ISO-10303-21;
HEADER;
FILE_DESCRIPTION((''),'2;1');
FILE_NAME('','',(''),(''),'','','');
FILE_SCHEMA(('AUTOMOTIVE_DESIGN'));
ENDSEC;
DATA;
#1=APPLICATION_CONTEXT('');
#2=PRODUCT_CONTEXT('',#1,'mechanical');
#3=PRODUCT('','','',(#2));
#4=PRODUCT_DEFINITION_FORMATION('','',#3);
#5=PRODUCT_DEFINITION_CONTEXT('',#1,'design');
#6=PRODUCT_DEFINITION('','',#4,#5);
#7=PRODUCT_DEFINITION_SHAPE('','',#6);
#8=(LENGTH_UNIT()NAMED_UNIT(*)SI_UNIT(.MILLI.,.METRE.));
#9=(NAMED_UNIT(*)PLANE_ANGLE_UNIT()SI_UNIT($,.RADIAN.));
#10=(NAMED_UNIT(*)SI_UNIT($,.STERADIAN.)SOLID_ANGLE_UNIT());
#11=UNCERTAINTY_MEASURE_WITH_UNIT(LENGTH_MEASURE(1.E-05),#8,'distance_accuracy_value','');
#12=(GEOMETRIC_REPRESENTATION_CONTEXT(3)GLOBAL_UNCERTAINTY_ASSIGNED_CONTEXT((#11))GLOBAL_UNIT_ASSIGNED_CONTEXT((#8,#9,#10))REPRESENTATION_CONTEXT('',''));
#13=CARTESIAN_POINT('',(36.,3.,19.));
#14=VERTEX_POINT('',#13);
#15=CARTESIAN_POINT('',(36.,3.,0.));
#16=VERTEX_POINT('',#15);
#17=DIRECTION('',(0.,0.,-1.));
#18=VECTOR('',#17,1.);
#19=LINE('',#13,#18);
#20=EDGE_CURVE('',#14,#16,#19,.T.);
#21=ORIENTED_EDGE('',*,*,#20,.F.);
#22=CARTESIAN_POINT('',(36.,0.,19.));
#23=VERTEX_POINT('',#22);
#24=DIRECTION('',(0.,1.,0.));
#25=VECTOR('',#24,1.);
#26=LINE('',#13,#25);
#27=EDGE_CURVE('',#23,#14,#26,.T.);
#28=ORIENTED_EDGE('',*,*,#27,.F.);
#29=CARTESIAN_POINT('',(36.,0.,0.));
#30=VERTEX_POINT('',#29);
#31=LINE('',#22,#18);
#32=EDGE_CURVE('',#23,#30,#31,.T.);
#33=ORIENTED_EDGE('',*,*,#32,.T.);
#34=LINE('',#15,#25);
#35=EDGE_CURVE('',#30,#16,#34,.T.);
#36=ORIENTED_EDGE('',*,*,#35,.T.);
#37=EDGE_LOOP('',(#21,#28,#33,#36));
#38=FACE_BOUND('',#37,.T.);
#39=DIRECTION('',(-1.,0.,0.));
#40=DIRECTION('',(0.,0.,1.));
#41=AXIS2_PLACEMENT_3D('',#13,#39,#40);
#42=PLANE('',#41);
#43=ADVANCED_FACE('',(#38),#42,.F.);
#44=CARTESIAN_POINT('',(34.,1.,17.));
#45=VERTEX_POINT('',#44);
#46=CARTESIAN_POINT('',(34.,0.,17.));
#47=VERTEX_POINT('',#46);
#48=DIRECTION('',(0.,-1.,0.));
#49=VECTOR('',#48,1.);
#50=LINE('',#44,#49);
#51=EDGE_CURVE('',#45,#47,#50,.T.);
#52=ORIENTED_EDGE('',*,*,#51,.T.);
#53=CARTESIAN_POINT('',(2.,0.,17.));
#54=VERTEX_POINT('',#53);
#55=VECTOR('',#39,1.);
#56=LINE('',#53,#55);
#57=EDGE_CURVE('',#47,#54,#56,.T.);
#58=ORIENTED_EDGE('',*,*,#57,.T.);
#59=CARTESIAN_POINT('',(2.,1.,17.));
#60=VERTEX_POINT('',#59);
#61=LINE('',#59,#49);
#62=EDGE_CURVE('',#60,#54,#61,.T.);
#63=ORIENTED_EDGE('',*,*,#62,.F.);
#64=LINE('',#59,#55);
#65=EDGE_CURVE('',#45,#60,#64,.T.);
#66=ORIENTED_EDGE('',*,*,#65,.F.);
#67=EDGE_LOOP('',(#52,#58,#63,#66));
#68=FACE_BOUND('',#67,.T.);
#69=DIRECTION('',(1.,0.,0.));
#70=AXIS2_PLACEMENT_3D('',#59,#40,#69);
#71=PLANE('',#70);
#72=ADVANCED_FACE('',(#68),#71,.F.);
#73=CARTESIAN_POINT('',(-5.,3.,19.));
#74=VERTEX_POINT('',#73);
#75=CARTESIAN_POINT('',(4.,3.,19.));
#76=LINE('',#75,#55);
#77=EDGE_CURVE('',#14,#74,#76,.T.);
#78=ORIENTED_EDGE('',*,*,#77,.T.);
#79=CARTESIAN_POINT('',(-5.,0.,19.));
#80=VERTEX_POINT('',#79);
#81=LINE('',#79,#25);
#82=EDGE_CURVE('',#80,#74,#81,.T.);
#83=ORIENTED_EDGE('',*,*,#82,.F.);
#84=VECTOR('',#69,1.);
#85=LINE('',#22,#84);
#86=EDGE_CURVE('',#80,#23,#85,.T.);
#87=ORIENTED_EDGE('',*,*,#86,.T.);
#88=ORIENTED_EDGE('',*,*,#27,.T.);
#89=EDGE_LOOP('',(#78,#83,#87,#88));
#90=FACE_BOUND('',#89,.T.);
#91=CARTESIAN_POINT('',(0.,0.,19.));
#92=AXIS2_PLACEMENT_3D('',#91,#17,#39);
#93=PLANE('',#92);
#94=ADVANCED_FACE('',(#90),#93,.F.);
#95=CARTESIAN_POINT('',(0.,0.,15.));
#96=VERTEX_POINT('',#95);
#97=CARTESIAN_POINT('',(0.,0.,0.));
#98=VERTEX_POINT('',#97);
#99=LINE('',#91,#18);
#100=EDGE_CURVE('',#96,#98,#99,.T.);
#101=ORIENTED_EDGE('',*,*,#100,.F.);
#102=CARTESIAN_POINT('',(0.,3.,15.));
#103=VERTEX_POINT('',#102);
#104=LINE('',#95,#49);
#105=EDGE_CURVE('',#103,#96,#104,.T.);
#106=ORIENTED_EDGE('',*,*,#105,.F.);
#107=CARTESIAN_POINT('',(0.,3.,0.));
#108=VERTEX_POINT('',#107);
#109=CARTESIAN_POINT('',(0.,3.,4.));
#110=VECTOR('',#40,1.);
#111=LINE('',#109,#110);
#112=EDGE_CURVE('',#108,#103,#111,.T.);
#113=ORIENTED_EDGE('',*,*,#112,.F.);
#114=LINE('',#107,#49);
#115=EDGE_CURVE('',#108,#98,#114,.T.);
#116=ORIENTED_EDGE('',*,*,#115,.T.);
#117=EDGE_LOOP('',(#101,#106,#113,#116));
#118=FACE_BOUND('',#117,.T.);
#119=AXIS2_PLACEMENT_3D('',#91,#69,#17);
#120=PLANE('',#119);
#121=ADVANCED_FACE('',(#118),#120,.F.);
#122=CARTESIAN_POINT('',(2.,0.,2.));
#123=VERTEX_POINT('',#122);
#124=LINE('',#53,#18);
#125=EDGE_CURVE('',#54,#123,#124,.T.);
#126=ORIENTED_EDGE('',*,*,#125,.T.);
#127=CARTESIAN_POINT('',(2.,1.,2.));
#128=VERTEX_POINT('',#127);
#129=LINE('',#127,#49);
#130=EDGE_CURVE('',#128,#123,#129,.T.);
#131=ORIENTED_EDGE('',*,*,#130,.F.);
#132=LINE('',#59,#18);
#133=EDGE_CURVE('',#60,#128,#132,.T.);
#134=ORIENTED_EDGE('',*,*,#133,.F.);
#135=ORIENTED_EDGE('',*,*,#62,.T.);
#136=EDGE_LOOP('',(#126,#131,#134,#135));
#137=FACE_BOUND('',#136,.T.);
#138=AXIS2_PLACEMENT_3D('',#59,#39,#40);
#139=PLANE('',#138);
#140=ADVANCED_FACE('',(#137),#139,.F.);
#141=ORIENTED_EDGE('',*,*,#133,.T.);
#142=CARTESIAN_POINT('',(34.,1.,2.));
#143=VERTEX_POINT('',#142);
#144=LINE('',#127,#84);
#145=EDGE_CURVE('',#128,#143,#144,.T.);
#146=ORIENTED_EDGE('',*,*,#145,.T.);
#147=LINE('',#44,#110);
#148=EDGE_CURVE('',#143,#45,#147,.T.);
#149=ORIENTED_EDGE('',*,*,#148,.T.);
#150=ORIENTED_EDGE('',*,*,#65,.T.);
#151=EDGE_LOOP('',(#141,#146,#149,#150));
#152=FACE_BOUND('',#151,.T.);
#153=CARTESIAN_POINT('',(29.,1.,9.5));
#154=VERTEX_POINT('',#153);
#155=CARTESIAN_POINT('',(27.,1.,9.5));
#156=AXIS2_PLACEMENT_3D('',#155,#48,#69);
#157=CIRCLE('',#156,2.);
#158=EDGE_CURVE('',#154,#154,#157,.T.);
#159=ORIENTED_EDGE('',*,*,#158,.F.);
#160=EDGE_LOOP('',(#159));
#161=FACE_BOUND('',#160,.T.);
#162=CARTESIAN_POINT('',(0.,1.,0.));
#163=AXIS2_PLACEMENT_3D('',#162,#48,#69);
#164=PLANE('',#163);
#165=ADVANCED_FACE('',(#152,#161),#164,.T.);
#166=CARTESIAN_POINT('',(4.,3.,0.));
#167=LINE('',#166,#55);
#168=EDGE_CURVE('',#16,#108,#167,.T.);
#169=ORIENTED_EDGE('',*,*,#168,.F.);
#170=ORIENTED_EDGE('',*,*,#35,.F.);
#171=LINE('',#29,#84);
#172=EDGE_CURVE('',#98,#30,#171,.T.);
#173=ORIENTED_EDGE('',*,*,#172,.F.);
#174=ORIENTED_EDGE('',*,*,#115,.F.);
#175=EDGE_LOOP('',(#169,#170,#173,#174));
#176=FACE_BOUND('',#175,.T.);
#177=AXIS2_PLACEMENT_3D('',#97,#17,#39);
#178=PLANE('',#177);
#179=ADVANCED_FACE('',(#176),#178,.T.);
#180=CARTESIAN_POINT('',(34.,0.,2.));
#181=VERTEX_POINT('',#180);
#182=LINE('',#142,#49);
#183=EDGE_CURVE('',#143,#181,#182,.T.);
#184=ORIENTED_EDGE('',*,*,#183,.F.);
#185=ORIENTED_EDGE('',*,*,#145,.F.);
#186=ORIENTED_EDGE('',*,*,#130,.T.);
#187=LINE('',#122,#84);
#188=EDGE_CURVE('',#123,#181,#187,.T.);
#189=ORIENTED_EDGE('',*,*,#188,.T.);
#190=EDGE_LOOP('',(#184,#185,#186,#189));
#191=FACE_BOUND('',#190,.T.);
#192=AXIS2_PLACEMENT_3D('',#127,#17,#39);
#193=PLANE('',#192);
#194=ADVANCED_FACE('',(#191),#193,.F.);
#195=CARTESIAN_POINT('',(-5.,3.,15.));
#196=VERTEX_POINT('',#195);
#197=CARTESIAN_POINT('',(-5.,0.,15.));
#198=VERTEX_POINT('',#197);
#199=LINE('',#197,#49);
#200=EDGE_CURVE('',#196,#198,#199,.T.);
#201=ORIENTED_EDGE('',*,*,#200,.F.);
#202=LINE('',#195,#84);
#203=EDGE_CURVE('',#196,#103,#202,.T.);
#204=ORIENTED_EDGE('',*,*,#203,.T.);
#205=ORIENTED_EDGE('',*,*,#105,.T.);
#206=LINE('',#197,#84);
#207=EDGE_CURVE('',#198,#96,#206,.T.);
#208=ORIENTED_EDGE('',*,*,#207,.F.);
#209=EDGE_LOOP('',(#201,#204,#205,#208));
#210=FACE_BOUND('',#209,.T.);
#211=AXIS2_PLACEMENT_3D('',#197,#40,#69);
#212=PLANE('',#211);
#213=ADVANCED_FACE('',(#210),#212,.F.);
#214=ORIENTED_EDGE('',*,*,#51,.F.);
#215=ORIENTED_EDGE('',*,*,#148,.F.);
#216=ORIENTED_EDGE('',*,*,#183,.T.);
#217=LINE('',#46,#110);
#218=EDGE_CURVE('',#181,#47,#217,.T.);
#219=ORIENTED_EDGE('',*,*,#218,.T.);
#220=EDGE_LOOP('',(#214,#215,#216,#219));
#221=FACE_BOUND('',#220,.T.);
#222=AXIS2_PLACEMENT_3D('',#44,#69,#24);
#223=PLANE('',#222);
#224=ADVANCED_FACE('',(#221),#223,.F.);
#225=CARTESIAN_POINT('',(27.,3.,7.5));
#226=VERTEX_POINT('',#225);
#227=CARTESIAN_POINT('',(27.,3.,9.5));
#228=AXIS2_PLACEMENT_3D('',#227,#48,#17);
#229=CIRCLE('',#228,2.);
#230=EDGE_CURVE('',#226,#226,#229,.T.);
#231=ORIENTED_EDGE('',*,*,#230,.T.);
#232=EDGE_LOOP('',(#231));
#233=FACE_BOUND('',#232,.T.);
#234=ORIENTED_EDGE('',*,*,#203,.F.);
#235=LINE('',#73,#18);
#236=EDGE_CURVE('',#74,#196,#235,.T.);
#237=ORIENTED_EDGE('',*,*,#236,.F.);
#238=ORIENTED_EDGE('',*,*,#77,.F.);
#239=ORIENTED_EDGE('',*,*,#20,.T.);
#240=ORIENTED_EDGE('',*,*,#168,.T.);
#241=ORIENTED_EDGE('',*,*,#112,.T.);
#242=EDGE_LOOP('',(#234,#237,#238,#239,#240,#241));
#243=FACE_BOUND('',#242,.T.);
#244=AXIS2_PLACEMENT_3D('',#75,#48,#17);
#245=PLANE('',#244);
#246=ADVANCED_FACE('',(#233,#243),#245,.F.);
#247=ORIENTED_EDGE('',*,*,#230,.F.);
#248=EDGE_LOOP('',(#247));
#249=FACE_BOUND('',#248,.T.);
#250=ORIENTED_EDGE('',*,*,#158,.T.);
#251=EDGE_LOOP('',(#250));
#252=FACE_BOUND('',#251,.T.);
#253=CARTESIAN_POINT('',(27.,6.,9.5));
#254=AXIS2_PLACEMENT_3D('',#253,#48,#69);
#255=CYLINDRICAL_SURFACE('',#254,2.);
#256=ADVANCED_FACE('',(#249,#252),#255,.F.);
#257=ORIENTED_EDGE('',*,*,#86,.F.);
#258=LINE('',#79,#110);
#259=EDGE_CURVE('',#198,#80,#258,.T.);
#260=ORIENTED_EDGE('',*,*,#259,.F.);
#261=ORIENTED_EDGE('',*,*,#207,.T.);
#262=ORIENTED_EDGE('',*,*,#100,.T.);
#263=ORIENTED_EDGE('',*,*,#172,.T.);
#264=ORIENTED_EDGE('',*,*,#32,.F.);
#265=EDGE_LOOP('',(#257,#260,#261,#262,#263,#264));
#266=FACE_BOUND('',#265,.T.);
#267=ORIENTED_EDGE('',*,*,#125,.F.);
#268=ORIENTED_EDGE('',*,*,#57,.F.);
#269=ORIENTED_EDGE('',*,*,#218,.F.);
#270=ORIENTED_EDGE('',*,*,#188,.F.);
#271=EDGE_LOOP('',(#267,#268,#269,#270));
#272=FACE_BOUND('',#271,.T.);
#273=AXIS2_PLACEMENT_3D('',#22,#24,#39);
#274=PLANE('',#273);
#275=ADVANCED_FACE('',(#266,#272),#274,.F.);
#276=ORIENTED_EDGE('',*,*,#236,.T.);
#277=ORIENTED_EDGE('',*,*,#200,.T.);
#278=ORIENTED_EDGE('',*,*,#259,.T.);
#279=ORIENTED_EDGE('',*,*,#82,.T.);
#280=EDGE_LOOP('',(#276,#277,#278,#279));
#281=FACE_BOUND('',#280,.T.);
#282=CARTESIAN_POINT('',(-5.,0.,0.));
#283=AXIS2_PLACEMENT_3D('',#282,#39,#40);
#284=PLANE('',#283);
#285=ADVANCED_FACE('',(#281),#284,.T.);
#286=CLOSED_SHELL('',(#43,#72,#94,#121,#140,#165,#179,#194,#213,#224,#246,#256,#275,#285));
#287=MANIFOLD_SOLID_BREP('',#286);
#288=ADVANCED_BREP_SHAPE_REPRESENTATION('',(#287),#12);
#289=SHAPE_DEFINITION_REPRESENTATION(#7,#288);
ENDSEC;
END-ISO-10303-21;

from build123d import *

# Parameters (mm, degrees)
P_IDAT_VYSUNUT_M1_DEPTH  = 19
SKICA2_W                 = 4
SKICA2_H                 = 4
ODEBRAT_VYSUNUT_M1_DEPTH = 15
SKICA3_W                 = 32
SKICA3_H                 = 15
ODEBRAT_VYSUNUT_M2_DEPTH = 1
SKICA4_W                 = 4
SKICA4_H                 = 4
ODEBRAT_VYSUNUT_M3_DEPTH = 50
SKICA5_W                 = 4
SKICA5_H                 = 3
P_IDAT_VYSUNUT_M2_DEPTH  = 5
SKICA6_R                 = 2
ODEBRAT_VYSUNUT_M4_DEPTH = 5
SKICA8_W                 = 4
SKICA8_H                 = 3
ODEBRAT_VYSUNUT_M6_DEPTH = 5
SKICA9_W                 = 4
SKICA9_H                 = 3
P_IDAT_VYSUNUT_M3_DEPTH  = 5


with BuildPart() as part:
    # Skica1 → Přidat vysunutím1 (new body)
    with BuildSketch(Plane.XY):
        Polygon((0, 0), (0, 7), (4, 7), (4, 3), (36, 3), (36, 0), align=None)
    extrude(amount=P_IDAT_VYSUNUT_M1_DEPTH)

    # Skica2 → Odebrat vysunutím1 (cut)
    with BuildSketch(Plane.XY.offset(19)):
        with Locations((2, 5)):
            Rectangle(SKICA2_W, SKICA2_H)
    extrude(amount=-ODEBRAT_VYSUNUT_M1_DEPTH, mode=Mode.SUBTRACT)

    # Skica3 → Odebrat vysunutím2 (cut)
    with BuildSketch(Plane.XZ):
        with Locations((18, 9.5)):
            Rectangle(SKICA3_W, SKICA3_H)
    extrude(amount=-ODEBRAT_VYSUNUT_M2_DEPTH, mode=Mode.SUBTRACT)

    # Skica4 → Odebrat vysunutím3 (cut)
    with BuildSketch(Plane.ZY):
        with Locations((2, 5)):
            Rectangle(SKICA4_W, SKICA4_H)
    extrude(amount=-ODEBRAT_VYSUNUT_M3_DEPTH, mode=Mode.SUBTRACT)

    # Skica5 → Přidat vysunutím2 (add)
    with BuildSketch(Plane.ZY):
        with Locations((2, 1.5)):
            Rectangle(SKICA5_W, SKICA5_H)
    extrude(amount=P_IDAT_VYSUNUT_M2_DEPTH)

    # Skica6 → Odebrat vysunutím4 (cut)
    with BuildSketch(Plane.XZ.offset(-1)):
        with Locations((27, 9.5)):
            Circle(SKICA6_R)
    extrude(amount=-ODEBRAT_VYSUNUT_M4_DEPTH, mode=Mode.SUBTRACT)

    # Skica8 → Odebrat vysunutím6 (cut)
    with BuildSketch(Plane.ZY.offset(5)):
        with Locations((2, 1.5)):
            Rectangle(SKICA8_W, SKICA8_H)
    extrude(amount=-ODEBRAT_VYSUNUT_M6_DEPTH, mode=Mode.SUBTRACT)

    # Skica9 → Přidat vysunutím3 (add)
    with BuildSketch(Plane.ZY):
        with Locations((17, 1.5)):
            Rectangle(SKICA9_W, SKICA9_H)
    extrude(amount=P_IDAT_VYSUNUT_M3_DEPTH)


solid = part.part
